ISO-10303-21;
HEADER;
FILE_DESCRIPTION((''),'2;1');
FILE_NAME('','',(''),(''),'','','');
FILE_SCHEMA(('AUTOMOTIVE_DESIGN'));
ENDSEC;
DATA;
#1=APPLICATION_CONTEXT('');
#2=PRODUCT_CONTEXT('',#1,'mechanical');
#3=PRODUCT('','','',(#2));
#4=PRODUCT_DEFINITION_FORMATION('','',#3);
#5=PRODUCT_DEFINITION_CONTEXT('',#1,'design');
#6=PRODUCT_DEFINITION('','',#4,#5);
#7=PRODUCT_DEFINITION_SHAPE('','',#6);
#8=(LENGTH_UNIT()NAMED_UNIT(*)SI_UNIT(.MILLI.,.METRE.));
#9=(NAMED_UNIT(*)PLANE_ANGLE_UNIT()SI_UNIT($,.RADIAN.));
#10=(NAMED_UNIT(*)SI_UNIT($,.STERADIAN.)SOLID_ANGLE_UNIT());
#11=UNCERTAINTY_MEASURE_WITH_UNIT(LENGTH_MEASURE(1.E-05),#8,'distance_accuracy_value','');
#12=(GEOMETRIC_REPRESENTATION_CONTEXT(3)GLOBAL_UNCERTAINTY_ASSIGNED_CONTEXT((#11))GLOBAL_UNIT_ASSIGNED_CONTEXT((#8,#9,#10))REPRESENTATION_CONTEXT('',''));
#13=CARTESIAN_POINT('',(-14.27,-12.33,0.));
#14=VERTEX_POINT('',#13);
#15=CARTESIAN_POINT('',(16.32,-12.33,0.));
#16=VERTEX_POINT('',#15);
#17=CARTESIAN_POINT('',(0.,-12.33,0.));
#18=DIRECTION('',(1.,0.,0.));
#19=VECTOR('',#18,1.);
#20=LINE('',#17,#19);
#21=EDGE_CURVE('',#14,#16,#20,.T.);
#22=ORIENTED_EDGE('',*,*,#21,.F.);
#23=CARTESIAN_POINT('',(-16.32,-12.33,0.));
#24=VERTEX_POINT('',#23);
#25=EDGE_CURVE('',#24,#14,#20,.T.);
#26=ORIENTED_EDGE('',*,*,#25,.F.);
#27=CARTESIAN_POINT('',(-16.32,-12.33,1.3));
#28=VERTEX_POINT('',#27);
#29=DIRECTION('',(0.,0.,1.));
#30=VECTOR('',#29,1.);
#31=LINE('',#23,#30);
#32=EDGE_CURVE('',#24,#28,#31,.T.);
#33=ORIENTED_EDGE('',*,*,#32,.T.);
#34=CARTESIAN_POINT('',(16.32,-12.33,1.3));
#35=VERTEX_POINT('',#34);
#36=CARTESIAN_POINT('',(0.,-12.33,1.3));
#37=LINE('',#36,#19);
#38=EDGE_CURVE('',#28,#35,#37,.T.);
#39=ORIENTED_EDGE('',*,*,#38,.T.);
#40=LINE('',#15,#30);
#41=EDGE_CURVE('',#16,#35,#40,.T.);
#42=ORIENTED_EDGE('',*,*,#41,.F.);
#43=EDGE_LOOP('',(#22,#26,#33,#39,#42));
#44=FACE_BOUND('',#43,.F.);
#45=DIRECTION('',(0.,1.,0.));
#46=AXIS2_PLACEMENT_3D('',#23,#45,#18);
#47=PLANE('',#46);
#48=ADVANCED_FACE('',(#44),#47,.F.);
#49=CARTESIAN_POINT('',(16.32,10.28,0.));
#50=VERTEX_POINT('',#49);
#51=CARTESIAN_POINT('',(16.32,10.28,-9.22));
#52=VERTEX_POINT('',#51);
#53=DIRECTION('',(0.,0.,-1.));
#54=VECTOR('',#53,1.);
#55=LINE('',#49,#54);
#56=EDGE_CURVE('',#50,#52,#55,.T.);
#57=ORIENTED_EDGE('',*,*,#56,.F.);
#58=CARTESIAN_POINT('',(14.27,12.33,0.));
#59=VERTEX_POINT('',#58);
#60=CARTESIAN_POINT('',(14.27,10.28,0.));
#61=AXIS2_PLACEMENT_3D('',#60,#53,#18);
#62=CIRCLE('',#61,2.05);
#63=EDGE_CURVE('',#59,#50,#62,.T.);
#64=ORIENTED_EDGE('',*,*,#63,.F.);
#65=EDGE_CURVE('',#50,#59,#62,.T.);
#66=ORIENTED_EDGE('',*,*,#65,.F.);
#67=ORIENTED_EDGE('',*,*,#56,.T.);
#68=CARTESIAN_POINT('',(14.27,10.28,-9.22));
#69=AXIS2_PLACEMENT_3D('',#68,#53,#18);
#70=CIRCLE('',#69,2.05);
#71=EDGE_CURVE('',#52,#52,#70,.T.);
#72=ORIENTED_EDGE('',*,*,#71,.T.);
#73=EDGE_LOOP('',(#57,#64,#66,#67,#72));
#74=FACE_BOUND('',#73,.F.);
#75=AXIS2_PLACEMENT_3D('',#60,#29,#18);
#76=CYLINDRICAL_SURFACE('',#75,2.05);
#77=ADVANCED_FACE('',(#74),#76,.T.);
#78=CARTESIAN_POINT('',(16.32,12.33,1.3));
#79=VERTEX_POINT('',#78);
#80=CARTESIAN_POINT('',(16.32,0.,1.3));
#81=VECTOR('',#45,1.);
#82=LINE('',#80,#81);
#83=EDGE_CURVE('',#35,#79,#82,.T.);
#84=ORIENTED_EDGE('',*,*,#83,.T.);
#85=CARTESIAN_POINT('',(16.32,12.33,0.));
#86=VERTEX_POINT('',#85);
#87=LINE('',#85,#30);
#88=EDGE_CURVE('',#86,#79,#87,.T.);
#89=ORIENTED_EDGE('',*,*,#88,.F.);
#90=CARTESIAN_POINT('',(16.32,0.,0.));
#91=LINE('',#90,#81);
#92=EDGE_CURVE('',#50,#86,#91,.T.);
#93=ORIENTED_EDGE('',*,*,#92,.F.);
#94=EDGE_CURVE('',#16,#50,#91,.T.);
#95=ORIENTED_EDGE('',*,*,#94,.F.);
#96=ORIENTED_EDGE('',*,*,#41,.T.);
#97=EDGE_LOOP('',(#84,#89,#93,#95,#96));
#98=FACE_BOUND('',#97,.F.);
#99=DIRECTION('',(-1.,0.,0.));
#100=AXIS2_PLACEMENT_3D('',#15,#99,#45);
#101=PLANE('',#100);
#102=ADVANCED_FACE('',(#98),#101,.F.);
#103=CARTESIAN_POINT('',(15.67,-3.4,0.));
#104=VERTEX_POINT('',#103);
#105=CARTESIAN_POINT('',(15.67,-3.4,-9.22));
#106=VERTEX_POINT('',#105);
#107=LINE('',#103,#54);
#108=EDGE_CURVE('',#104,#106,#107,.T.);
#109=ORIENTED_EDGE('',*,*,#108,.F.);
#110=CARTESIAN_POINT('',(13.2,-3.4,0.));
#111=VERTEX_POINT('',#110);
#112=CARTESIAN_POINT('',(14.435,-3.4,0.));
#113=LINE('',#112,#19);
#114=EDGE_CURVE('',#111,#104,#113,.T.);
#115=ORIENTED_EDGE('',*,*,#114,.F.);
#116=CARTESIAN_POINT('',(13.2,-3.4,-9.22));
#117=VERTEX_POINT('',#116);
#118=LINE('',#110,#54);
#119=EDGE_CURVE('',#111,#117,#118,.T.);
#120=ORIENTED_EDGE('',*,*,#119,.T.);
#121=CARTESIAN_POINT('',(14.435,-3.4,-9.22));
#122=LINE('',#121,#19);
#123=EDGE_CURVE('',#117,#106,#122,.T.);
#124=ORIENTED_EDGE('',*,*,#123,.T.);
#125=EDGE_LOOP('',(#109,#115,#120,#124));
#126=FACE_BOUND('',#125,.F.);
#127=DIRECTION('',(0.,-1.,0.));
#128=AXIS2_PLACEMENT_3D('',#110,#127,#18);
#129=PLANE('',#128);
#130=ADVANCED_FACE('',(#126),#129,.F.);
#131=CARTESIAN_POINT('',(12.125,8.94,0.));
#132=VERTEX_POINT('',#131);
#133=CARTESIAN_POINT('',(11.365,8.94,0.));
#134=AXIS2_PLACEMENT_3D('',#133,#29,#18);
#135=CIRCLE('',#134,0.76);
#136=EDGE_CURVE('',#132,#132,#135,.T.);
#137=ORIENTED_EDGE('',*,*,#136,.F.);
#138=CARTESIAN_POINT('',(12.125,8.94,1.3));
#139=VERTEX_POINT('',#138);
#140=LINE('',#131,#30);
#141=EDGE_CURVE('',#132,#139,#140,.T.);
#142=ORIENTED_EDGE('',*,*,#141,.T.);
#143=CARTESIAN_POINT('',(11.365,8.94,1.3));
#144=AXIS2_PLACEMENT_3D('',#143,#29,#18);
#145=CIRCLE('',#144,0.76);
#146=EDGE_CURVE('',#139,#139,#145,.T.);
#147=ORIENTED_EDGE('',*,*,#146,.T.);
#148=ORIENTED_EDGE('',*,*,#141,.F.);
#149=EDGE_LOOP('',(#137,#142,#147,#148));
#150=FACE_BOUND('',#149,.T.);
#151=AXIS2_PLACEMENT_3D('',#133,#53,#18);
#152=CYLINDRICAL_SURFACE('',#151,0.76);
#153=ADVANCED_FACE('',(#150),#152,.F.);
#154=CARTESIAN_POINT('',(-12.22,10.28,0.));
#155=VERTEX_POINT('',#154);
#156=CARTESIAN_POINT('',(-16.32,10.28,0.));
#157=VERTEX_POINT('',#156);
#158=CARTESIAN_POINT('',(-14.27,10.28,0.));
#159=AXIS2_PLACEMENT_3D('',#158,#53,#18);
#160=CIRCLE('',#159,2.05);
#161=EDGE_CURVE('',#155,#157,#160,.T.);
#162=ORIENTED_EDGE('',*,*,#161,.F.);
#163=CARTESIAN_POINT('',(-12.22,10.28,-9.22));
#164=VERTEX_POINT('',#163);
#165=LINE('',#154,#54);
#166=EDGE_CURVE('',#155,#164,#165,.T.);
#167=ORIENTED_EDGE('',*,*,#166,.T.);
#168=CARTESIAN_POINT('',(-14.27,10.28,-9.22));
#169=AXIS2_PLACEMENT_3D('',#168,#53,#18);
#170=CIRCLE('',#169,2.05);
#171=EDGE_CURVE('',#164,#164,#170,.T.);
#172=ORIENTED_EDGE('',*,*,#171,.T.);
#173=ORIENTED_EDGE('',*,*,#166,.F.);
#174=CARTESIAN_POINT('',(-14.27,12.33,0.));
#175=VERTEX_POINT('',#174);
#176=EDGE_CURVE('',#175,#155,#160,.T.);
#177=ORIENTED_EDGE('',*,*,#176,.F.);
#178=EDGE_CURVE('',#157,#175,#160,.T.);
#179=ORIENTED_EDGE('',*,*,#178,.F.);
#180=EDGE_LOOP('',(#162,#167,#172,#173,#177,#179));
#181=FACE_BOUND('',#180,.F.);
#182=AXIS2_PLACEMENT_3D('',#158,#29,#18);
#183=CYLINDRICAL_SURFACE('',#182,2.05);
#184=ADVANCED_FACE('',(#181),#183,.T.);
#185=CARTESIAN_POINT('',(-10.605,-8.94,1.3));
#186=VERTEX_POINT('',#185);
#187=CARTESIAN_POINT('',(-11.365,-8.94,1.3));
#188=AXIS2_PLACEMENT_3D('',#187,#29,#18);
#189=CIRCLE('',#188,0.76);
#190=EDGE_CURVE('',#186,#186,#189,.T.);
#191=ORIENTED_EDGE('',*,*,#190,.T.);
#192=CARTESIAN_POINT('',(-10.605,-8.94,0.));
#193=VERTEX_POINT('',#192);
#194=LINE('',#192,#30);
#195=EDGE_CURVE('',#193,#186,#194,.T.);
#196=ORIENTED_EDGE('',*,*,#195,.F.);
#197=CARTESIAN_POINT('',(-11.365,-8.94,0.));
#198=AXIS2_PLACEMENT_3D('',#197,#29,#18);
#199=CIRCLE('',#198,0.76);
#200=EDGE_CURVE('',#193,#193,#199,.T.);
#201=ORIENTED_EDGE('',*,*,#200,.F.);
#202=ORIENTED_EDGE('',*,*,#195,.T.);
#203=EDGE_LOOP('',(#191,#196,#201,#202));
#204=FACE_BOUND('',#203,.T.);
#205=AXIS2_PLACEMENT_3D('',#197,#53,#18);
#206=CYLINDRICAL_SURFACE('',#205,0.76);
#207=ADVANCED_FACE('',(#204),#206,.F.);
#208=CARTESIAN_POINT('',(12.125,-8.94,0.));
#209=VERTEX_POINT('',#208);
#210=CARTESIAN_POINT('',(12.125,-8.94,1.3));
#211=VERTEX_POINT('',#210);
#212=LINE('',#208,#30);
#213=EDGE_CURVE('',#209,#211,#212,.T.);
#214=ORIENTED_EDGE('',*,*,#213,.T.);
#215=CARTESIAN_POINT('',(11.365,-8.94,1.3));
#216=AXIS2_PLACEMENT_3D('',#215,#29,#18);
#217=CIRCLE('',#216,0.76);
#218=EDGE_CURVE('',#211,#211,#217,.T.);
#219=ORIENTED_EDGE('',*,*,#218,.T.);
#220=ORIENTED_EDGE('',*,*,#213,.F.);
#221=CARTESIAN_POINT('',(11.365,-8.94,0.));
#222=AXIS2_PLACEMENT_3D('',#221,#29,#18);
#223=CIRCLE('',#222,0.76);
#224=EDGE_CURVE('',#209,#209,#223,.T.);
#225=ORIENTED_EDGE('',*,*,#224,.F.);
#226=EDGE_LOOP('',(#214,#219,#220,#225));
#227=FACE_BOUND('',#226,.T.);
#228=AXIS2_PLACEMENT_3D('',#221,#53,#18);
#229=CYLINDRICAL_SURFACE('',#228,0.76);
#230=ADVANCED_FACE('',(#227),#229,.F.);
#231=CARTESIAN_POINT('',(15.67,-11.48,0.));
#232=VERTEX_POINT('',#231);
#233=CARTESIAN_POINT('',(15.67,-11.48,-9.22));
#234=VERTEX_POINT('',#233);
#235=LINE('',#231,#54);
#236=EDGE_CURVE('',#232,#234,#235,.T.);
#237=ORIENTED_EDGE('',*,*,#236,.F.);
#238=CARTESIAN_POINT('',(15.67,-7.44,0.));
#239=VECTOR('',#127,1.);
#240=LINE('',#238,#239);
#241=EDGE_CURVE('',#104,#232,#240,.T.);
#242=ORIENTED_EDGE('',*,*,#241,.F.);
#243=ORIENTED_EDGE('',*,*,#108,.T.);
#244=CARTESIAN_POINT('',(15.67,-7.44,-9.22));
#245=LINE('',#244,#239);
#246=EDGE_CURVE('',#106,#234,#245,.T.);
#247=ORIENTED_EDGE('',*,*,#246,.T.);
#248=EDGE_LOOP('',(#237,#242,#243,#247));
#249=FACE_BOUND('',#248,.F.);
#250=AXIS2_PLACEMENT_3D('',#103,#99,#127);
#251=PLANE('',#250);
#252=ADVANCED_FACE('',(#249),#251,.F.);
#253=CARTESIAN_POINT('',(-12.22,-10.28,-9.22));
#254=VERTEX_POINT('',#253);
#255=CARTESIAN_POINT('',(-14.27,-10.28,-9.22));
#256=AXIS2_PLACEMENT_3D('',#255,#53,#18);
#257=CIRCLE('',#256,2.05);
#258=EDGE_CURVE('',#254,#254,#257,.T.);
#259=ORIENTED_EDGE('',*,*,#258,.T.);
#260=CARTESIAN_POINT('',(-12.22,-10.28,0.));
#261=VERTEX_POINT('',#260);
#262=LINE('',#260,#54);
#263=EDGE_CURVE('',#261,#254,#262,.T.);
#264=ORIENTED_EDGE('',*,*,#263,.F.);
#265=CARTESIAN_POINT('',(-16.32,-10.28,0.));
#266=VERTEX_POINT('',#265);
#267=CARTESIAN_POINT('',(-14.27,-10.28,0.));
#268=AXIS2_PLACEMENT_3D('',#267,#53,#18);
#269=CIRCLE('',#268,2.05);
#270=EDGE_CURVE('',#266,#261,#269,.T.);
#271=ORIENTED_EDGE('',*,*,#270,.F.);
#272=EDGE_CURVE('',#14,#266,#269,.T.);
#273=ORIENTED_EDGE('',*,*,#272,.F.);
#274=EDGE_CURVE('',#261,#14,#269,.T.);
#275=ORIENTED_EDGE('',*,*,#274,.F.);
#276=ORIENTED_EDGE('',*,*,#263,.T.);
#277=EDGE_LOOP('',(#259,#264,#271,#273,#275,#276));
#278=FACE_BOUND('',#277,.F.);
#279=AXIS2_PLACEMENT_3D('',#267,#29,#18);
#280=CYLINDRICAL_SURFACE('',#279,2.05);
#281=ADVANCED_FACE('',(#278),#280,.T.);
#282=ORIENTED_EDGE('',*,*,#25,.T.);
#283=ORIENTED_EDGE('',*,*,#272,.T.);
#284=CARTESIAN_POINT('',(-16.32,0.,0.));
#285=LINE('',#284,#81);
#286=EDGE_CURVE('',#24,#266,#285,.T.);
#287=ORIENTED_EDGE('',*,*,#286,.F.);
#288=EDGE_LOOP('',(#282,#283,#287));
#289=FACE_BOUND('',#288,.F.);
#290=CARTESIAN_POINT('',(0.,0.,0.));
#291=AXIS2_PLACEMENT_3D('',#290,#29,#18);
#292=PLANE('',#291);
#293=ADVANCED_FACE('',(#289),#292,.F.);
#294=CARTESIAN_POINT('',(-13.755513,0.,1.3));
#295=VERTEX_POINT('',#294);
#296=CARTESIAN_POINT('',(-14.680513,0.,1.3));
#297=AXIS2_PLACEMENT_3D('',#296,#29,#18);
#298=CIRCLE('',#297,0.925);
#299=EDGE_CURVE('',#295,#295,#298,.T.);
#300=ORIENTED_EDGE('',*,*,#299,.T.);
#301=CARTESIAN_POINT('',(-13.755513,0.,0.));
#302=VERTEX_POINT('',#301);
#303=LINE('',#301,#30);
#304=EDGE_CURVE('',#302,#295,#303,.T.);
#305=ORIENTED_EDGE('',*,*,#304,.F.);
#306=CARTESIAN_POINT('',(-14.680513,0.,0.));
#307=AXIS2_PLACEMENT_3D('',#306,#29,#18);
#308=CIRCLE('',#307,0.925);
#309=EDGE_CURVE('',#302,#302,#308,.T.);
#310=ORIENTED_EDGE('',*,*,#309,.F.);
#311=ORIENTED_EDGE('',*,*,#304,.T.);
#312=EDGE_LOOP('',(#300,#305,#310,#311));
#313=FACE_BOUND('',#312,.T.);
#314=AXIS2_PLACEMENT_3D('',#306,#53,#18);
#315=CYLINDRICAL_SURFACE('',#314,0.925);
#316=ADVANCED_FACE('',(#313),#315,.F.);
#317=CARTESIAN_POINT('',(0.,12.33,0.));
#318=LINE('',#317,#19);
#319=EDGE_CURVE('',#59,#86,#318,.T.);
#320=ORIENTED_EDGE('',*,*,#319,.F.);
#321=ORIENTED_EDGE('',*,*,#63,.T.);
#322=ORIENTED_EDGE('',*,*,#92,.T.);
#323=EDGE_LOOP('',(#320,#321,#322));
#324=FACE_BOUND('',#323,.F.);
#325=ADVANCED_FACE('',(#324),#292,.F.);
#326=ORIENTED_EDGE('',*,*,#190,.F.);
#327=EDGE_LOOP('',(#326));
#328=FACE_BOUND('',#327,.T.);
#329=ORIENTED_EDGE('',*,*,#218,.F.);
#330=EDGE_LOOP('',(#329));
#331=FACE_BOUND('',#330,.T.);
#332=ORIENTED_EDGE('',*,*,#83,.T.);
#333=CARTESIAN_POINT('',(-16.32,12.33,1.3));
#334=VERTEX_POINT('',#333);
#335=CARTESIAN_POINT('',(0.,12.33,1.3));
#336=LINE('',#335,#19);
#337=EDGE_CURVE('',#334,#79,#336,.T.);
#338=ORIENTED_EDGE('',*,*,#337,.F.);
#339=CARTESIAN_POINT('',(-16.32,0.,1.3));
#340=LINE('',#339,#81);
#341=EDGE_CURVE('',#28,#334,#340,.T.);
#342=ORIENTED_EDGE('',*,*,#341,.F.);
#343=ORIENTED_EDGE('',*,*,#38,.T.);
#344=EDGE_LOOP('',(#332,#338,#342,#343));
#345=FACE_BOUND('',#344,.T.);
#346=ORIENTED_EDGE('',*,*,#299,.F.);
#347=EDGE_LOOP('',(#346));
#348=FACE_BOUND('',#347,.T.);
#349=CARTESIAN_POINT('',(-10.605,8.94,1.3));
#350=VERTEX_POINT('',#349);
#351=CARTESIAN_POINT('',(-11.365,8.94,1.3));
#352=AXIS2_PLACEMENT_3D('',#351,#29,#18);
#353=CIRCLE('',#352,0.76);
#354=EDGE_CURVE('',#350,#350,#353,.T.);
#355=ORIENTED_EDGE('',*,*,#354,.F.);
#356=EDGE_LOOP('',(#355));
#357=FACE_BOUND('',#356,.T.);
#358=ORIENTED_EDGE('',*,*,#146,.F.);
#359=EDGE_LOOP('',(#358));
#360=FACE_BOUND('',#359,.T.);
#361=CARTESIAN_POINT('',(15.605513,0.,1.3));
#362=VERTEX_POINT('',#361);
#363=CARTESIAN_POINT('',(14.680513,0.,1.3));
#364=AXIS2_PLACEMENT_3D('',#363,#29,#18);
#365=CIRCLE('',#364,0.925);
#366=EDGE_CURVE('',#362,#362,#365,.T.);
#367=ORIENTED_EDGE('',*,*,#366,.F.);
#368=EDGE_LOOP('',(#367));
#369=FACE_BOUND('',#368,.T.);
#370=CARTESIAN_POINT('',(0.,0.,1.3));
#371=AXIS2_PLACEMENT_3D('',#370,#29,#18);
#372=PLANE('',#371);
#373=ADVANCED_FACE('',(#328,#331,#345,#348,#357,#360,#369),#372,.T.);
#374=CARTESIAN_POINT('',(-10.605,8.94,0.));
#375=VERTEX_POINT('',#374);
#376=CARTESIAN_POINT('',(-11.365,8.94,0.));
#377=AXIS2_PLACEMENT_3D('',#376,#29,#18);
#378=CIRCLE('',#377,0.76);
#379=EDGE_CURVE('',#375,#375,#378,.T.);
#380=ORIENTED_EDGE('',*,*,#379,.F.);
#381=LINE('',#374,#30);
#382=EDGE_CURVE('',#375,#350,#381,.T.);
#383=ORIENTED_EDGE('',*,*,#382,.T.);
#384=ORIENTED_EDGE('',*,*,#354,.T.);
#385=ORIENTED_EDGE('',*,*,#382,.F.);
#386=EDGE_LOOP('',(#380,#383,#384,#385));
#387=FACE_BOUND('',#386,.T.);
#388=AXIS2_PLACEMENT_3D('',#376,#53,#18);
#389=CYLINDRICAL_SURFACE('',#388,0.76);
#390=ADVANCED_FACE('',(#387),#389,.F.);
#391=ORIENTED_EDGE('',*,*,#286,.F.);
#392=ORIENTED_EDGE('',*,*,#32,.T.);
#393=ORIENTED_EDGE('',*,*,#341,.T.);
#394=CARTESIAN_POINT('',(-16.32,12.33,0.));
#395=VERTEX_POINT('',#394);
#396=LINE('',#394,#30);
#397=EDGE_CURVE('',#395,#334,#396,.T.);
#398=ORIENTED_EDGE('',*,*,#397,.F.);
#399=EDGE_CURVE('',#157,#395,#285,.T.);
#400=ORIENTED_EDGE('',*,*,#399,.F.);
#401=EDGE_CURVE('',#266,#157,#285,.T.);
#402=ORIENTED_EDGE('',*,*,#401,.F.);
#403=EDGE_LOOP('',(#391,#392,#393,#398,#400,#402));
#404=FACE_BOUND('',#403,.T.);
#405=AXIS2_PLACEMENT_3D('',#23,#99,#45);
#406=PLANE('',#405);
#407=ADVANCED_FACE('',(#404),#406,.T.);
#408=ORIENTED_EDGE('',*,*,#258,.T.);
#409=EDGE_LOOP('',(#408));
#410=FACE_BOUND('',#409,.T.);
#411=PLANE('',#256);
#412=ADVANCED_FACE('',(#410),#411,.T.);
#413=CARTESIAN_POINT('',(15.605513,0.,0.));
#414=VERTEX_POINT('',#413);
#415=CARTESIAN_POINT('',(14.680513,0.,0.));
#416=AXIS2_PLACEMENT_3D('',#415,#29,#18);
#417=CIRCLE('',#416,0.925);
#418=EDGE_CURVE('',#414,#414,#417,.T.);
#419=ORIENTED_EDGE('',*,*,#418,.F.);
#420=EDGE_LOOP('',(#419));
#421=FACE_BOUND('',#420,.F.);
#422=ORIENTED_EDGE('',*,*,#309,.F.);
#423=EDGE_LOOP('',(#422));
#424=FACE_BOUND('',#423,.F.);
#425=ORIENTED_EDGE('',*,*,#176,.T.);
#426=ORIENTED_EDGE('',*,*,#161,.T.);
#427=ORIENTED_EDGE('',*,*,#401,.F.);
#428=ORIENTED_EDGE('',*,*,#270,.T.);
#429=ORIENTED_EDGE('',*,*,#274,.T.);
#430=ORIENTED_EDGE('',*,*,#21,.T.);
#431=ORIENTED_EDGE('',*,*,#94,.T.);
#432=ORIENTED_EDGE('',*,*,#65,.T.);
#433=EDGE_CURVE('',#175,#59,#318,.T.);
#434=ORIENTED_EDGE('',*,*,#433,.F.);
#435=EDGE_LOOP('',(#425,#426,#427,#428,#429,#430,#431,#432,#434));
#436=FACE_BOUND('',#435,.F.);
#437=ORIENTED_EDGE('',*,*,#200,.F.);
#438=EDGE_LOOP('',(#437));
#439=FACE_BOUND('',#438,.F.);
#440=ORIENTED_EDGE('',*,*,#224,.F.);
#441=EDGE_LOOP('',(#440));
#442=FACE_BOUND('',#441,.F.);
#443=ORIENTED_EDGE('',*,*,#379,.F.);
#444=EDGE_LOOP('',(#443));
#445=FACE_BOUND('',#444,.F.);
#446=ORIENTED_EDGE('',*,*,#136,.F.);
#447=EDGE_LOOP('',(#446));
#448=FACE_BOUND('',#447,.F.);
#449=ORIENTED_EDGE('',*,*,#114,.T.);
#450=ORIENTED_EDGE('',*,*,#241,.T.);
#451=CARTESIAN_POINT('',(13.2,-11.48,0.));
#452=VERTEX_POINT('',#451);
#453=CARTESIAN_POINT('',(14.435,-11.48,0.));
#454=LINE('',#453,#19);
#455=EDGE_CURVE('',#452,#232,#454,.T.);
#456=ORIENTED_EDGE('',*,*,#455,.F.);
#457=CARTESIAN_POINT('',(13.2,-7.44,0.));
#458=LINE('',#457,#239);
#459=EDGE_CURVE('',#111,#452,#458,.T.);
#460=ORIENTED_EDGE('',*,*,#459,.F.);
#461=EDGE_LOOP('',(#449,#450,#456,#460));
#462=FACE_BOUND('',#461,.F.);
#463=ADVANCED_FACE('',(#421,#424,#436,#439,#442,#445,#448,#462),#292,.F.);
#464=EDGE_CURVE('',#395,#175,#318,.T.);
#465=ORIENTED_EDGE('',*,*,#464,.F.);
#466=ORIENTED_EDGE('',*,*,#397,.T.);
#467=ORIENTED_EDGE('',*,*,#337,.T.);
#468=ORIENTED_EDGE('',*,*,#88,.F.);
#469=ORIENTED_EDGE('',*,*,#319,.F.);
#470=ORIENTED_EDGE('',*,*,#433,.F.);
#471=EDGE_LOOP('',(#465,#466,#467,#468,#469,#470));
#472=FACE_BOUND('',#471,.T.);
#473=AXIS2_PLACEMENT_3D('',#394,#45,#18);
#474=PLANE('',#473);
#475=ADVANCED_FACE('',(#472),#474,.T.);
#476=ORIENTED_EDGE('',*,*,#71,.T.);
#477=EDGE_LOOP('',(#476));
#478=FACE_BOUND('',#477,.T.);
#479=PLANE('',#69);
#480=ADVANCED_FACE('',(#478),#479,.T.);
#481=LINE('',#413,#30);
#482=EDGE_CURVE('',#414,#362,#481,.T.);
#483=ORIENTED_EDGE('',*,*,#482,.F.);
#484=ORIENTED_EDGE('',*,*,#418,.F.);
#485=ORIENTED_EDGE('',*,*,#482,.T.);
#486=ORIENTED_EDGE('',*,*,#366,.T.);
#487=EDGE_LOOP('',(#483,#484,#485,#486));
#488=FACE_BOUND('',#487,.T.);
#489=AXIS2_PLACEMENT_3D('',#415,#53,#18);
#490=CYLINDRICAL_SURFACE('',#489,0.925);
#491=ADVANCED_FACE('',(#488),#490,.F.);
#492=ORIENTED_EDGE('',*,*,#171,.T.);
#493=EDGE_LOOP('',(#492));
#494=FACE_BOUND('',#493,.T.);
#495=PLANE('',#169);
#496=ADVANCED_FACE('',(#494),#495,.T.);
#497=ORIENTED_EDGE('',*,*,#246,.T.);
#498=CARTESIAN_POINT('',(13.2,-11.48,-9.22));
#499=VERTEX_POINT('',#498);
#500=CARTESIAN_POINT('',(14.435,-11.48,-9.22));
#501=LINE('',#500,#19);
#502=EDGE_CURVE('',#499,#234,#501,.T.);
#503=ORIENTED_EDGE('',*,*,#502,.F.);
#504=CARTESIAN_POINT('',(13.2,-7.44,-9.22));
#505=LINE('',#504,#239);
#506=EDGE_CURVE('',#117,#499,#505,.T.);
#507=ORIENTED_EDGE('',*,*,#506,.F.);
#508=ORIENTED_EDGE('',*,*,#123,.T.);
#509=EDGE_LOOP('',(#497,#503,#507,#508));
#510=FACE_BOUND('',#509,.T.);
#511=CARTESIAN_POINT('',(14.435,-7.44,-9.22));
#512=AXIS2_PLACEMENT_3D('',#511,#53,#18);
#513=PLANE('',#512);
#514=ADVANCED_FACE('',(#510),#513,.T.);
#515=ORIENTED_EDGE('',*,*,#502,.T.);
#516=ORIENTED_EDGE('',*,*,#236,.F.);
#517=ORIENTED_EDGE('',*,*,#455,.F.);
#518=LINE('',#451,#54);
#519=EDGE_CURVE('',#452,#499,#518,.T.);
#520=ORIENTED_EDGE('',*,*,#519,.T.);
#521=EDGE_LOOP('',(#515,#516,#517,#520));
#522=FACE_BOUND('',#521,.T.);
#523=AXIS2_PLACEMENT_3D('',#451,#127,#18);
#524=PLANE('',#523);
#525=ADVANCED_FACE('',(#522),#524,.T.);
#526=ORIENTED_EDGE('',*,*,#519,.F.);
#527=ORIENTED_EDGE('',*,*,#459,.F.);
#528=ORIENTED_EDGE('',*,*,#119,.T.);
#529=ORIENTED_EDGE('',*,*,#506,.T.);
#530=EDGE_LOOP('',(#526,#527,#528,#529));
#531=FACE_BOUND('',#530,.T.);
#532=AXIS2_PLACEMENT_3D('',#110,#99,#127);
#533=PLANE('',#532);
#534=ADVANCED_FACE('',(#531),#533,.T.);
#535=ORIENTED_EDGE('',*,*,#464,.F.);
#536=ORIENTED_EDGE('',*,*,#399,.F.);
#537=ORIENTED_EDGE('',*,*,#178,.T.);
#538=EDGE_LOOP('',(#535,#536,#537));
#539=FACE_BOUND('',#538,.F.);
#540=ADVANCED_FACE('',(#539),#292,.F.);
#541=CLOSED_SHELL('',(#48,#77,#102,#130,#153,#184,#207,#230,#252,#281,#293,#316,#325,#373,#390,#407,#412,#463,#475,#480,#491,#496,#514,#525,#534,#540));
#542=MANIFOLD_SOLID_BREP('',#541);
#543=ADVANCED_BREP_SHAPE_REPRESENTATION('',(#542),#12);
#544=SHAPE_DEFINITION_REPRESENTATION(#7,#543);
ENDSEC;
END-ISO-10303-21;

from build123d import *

# Parameters (mm, degrees)
F0_W     = 32.64
F0_H     = 24.66
F0_R     = 0.76
F0_R_2   = 0.925
F1_DEPTH = 1.3
F3_R     = 2.05
F3_W     = 2.47
F3_H     = 8.08
F4_DEPTH = 9.22


with BuildPart() as f1:
    # F0 (on Top) → F1 (new body)
    with BuildSketch(Plane.XY):
        Rectangle(F0_W, F0_H)
        with Locations((-11.365, -8.94)):
            Circle(F0_R, mode=Mode.SUBTRACT)
        with Locations((-14.680513, 0)):
            Circle(F0_R_2, mode=Mode.SUBTRACT)
        with Locations((11.365, -8.94)):
            Circle(F0_R, mode=Mode.SUBTRACT)
        with Locations((14.680513, 0)):
            Circle(F0_R_2, mode=Mode.SUBTRACT)
        with Locations((-11.365, 8.94)):
            Circle(F0_R, mode=Mode.SUBTRACT)
        with Locations((11.365, 8.94)):
            Circle(F0_R, mode=Mode.SUBTRACT)
    extrude(amount=F1_DEPTH)

    # F3 (on offset) → F4 (join)
    with BuildSketch(Plane(origin=(0, 0, 0), x_dir=(1, 0, 0), z_dir=(0, 0, -1))):
        with Locations((-14.27, 10.28)):
            Circle(F3_R)
        with Locations((-14.27, -10.28)):
            Circle(F3_R)
        with Locations((14.27, -10.28)):
            Circle(F3_R)
        with Locations((14.435, 7.44)):
            Rectangle(F3_W, F3_H)
    extrude(amount=F4_DEPTH)


solid = f1.part
